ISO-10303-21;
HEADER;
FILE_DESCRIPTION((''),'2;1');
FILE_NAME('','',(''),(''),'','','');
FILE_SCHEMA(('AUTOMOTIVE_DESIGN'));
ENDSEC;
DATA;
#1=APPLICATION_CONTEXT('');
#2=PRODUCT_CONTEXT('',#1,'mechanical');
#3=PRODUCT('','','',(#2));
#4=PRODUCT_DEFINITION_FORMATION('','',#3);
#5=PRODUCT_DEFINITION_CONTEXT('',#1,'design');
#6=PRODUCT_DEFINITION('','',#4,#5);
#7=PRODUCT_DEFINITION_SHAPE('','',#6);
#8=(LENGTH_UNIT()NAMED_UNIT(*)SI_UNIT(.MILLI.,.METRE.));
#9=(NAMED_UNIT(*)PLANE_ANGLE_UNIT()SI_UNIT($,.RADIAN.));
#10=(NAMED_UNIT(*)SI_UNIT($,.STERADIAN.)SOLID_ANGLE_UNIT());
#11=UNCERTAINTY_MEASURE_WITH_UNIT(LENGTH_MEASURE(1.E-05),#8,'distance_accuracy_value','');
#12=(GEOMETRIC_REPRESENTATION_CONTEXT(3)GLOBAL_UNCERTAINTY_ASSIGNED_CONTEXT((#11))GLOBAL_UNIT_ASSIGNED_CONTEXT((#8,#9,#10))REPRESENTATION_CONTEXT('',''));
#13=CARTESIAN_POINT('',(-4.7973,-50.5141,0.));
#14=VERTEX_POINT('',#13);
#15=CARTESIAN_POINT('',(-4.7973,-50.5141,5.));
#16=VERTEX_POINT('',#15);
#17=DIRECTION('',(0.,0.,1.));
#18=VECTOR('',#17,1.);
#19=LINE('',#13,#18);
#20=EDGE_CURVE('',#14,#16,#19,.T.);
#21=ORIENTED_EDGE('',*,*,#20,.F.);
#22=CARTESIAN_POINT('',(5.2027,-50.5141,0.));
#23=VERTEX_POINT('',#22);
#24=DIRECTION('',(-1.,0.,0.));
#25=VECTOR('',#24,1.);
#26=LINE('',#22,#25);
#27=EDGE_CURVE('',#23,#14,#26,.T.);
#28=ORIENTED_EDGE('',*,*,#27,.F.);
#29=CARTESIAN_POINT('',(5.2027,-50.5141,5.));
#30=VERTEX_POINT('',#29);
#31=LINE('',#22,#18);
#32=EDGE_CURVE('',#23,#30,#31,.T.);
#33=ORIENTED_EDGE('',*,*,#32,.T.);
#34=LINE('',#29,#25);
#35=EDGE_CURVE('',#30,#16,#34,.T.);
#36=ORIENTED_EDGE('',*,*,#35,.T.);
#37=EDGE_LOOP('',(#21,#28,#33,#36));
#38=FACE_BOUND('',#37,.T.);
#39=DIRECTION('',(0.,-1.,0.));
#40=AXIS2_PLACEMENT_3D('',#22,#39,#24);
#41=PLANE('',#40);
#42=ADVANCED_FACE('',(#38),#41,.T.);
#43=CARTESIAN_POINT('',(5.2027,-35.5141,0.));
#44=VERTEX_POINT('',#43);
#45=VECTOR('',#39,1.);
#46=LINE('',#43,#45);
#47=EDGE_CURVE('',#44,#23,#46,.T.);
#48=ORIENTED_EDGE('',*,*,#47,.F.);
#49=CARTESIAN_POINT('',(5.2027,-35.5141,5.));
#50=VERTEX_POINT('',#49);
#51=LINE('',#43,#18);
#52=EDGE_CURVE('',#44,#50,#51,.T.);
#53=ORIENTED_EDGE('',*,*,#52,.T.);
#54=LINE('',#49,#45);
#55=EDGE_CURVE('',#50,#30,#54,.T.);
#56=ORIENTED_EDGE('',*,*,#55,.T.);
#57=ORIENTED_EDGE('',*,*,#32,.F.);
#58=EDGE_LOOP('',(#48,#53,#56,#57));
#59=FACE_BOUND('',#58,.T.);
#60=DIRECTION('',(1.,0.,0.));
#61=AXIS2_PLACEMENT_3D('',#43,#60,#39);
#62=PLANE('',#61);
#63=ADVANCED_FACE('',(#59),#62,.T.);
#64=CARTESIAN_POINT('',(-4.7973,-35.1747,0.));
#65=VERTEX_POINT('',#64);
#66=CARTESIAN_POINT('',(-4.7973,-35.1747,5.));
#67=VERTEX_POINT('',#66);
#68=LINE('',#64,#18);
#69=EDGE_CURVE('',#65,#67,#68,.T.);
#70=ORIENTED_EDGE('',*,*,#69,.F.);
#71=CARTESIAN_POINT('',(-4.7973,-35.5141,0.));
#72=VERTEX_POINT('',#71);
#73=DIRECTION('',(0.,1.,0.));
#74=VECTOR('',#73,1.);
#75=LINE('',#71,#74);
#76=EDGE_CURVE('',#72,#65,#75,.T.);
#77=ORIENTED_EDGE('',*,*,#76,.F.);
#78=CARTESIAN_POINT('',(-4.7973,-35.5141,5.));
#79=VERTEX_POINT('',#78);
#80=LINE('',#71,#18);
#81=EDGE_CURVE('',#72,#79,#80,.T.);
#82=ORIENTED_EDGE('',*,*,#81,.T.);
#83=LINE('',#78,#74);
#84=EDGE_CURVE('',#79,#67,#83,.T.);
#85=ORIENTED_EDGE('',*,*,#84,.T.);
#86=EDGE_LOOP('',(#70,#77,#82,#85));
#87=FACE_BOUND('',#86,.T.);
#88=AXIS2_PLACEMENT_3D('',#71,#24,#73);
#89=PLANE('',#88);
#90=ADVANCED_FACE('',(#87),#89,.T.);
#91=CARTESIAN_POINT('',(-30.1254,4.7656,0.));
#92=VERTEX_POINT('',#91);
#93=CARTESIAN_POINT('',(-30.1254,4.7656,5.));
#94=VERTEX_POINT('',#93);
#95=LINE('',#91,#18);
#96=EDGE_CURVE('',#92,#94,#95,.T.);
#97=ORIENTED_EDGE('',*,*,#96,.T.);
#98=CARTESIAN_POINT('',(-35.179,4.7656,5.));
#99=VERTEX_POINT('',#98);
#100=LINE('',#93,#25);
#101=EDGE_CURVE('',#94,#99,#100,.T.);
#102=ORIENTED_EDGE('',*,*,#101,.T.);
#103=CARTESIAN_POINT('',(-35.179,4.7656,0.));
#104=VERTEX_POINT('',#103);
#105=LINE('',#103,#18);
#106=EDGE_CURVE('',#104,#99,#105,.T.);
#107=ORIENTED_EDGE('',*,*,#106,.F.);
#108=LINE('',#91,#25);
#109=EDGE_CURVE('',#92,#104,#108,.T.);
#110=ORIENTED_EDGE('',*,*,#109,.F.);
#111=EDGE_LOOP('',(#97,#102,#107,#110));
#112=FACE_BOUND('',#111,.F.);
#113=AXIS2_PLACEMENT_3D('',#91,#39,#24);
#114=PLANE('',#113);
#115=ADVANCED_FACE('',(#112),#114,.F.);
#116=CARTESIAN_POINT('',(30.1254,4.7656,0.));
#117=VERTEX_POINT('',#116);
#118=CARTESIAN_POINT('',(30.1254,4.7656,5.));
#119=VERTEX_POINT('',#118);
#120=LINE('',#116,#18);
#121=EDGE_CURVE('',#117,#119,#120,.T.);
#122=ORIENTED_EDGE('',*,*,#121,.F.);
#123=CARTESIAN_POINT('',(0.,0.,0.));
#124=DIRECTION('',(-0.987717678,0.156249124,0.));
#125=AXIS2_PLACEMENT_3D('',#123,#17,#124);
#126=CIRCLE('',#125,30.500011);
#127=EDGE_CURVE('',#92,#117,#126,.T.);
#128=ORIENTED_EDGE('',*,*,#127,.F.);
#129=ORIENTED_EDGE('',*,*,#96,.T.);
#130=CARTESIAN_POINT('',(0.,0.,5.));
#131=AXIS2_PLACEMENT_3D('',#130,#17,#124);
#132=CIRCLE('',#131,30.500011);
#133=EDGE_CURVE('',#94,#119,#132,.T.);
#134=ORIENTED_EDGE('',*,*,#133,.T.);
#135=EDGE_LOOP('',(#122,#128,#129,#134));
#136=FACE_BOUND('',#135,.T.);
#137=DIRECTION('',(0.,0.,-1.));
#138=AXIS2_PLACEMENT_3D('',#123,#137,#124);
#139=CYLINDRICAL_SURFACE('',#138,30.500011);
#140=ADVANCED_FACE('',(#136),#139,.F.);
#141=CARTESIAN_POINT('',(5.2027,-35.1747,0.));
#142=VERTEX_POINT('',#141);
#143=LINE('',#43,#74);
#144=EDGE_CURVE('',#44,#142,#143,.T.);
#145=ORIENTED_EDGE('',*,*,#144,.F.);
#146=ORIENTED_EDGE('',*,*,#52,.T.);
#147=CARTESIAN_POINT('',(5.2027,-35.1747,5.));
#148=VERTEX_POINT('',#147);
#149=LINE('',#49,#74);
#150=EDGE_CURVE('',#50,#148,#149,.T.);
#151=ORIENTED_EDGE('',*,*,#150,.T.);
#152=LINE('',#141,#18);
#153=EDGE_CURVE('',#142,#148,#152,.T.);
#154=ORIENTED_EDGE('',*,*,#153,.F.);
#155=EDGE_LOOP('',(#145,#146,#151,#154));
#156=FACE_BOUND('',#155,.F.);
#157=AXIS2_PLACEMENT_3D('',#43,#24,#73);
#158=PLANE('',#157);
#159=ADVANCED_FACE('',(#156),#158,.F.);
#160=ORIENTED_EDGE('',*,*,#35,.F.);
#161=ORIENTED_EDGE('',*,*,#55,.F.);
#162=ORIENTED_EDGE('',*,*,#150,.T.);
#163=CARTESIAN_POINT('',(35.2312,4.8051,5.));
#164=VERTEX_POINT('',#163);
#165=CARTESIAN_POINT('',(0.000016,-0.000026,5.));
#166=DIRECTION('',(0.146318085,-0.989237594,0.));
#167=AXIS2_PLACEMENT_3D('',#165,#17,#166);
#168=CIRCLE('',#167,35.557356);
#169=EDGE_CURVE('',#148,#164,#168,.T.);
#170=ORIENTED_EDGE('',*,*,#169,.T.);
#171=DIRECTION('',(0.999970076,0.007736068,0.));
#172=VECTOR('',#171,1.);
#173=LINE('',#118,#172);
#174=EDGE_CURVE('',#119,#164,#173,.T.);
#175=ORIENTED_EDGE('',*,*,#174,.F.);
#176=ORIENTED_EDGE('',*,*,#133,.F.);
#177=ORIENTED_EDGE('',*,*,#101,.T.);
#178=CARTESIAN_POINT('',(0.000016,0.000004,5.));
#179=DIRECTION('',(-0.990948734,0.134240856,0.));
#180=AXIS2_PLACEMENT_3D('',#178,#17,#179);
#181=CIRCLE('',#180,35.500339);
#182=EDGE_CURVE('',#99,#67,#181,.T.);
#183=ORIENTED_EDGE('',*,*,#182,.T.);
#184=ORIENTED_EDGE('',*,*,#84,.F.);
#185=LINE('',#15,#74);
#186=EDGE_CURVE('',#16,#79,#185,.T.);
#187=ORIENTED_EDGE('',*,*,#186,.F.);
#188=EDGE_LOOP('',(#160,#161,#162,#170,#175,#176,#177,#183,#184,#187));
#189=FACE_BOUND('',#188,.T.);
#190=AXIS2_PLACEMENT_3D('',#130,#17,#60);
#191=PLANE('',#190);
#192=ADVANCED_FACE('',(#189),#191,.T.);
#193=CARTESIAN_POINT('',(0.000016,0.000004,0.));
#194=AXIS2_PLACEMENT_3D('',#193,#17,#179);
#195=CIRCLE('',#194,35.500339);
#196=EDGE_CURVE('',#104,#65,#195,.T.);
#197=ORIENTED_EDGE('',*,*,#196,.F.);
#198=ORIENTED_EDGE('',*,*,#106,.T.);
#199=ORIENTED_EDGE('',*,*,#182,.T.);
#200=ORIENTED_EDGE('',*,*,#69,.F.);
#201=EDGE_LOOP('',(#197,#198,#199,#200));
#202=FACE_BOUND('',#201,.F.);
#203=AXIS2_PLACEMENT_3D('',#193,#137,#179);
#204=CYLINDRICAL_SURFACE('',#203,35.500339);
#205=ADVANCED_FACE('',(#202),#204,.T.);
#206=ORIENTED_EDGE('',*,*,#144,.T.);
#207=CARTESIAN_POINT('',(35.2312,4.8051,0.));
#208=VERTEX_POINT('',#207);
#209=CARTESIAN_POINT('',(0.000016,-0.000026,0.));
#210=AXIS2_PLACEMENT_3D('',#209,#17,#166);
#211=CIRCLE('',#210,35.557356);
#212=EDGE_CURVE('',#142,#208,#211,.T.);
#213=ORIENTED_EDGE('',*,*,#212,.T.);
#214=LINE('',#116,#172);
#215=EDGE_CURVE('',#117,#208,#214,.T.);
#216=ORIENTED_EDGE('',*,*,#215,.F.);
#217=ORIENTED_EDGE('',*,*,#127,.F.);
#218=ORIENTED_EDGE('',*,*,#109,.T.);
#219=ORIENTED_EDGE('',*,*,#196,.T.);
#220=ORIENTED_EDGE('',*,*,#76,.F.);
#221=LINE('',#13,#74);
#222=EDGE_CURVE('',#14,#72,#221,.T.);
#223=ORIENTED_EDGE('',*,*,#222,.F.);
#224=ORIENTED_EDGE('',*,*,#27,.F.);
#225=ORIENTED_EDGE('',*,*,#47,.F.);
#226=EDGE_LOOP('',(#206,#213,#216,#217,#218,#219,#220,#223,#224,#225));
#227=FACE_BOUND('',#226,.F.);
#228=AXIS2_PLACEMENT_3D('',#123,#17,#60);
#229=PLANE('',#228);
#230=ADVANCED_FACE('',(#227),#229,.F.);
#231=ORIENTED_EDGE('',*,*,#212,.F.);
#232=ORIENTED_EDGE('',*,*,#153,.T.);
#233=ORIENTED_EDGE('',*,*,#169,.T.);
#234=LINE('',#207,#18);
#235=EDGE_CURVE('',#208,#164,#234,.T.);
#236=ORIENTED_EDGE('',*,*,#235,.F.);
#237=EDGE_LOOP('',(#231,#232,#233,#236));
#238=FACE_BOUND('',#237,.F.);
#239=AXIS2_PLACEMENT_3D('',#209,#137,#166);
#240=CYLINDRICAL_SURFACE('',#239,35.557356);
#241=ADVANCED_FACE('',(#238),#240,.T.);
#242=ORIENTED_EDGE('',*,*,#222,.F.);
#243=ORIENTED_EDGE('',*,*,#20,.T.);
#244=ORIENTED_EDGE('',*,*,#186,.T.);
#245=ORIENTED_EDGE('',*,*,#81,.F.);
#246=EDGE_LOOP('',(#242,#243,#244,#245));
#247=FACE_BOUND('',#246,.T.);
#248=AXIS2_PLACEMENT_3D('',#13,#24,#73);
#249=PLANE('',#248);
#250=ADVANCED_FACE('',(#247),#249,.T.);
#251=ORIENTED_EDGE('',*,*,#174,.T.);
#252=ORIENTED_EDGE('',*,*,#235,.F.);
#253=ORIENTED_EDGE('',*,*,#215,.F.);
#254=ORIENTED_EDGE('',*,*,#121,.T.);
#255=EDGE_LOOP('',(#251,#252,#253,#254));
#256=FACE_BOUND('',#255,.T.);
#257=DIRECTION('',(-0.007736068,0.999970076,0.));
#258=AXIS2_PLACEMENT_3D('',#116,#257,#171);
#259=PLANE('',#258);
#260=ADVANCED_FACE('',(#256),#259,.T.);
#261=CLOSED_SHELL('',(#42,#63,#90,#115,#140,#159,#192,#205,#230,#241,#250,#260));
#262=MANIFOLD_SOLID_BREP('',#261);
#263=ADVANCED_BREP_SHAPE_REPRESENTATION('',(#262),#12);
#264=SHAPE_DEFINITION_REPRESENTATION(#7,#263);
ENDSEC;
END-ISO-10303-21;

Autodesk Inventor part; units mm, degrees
ref_plane "YZ Plane" through (0, 0, 0) normal (1, 0, 0) x (0, 1, 0)
ref_plane "XZ Plane" through (0, 0, 0) normal (0, 1, 0) x (-1, 0, 0)
ref_plane "XY Plane" through (0, 0, 0) normal (0, 0, 1) x (1, 0, 0)
sketch "Sketch1" plane through (0, 0, 0) normal (0, 0, 1) x (1, 0, 0)
  arc A0 (-30.1254, 4.7656) -> (30.1254, 4.7656) centre (0, 0) ccw
  line L0 (-30.1254, 4.7656) -> (-35.179, 4.7656)
  line L1 (30.1254, 4.7656) -> (35.2312, 4.8051)
  line L2 (30.1254, 4.7656) -> (35.2312, 4.8051) construction
  line L3 (5.2027, -35.5141) -> (5.2027, -50.5141)
  line L4 (5.2027, -50.5141) -> (-4.7973, -50.5141)
  line L5 (-4.7973, -50.5141) -> (-4.7973, -35.5141)
  line L6 (-4.7973, -35.5141) -> (-4.7973, -35.1747)
  line L7 (5.2027, -35.5141) -> (5.2027, -35.1747)
  arc A1 (-35.179, 4.7656) -> (-4.7973, -35.1747) centre (0, 0) ccw
  arc A2 (5.2027, -35.1747) -> (35.2312, 4.8051) centre (0, 0) ccw
  dimension "d0" = 61
  dimension "d5" = 10
  dimension "d6" = 15
extrude "Extrusion1" add sketch "Sketch1" along normal blind 5
properties part number "Clip_TestFitV1"
